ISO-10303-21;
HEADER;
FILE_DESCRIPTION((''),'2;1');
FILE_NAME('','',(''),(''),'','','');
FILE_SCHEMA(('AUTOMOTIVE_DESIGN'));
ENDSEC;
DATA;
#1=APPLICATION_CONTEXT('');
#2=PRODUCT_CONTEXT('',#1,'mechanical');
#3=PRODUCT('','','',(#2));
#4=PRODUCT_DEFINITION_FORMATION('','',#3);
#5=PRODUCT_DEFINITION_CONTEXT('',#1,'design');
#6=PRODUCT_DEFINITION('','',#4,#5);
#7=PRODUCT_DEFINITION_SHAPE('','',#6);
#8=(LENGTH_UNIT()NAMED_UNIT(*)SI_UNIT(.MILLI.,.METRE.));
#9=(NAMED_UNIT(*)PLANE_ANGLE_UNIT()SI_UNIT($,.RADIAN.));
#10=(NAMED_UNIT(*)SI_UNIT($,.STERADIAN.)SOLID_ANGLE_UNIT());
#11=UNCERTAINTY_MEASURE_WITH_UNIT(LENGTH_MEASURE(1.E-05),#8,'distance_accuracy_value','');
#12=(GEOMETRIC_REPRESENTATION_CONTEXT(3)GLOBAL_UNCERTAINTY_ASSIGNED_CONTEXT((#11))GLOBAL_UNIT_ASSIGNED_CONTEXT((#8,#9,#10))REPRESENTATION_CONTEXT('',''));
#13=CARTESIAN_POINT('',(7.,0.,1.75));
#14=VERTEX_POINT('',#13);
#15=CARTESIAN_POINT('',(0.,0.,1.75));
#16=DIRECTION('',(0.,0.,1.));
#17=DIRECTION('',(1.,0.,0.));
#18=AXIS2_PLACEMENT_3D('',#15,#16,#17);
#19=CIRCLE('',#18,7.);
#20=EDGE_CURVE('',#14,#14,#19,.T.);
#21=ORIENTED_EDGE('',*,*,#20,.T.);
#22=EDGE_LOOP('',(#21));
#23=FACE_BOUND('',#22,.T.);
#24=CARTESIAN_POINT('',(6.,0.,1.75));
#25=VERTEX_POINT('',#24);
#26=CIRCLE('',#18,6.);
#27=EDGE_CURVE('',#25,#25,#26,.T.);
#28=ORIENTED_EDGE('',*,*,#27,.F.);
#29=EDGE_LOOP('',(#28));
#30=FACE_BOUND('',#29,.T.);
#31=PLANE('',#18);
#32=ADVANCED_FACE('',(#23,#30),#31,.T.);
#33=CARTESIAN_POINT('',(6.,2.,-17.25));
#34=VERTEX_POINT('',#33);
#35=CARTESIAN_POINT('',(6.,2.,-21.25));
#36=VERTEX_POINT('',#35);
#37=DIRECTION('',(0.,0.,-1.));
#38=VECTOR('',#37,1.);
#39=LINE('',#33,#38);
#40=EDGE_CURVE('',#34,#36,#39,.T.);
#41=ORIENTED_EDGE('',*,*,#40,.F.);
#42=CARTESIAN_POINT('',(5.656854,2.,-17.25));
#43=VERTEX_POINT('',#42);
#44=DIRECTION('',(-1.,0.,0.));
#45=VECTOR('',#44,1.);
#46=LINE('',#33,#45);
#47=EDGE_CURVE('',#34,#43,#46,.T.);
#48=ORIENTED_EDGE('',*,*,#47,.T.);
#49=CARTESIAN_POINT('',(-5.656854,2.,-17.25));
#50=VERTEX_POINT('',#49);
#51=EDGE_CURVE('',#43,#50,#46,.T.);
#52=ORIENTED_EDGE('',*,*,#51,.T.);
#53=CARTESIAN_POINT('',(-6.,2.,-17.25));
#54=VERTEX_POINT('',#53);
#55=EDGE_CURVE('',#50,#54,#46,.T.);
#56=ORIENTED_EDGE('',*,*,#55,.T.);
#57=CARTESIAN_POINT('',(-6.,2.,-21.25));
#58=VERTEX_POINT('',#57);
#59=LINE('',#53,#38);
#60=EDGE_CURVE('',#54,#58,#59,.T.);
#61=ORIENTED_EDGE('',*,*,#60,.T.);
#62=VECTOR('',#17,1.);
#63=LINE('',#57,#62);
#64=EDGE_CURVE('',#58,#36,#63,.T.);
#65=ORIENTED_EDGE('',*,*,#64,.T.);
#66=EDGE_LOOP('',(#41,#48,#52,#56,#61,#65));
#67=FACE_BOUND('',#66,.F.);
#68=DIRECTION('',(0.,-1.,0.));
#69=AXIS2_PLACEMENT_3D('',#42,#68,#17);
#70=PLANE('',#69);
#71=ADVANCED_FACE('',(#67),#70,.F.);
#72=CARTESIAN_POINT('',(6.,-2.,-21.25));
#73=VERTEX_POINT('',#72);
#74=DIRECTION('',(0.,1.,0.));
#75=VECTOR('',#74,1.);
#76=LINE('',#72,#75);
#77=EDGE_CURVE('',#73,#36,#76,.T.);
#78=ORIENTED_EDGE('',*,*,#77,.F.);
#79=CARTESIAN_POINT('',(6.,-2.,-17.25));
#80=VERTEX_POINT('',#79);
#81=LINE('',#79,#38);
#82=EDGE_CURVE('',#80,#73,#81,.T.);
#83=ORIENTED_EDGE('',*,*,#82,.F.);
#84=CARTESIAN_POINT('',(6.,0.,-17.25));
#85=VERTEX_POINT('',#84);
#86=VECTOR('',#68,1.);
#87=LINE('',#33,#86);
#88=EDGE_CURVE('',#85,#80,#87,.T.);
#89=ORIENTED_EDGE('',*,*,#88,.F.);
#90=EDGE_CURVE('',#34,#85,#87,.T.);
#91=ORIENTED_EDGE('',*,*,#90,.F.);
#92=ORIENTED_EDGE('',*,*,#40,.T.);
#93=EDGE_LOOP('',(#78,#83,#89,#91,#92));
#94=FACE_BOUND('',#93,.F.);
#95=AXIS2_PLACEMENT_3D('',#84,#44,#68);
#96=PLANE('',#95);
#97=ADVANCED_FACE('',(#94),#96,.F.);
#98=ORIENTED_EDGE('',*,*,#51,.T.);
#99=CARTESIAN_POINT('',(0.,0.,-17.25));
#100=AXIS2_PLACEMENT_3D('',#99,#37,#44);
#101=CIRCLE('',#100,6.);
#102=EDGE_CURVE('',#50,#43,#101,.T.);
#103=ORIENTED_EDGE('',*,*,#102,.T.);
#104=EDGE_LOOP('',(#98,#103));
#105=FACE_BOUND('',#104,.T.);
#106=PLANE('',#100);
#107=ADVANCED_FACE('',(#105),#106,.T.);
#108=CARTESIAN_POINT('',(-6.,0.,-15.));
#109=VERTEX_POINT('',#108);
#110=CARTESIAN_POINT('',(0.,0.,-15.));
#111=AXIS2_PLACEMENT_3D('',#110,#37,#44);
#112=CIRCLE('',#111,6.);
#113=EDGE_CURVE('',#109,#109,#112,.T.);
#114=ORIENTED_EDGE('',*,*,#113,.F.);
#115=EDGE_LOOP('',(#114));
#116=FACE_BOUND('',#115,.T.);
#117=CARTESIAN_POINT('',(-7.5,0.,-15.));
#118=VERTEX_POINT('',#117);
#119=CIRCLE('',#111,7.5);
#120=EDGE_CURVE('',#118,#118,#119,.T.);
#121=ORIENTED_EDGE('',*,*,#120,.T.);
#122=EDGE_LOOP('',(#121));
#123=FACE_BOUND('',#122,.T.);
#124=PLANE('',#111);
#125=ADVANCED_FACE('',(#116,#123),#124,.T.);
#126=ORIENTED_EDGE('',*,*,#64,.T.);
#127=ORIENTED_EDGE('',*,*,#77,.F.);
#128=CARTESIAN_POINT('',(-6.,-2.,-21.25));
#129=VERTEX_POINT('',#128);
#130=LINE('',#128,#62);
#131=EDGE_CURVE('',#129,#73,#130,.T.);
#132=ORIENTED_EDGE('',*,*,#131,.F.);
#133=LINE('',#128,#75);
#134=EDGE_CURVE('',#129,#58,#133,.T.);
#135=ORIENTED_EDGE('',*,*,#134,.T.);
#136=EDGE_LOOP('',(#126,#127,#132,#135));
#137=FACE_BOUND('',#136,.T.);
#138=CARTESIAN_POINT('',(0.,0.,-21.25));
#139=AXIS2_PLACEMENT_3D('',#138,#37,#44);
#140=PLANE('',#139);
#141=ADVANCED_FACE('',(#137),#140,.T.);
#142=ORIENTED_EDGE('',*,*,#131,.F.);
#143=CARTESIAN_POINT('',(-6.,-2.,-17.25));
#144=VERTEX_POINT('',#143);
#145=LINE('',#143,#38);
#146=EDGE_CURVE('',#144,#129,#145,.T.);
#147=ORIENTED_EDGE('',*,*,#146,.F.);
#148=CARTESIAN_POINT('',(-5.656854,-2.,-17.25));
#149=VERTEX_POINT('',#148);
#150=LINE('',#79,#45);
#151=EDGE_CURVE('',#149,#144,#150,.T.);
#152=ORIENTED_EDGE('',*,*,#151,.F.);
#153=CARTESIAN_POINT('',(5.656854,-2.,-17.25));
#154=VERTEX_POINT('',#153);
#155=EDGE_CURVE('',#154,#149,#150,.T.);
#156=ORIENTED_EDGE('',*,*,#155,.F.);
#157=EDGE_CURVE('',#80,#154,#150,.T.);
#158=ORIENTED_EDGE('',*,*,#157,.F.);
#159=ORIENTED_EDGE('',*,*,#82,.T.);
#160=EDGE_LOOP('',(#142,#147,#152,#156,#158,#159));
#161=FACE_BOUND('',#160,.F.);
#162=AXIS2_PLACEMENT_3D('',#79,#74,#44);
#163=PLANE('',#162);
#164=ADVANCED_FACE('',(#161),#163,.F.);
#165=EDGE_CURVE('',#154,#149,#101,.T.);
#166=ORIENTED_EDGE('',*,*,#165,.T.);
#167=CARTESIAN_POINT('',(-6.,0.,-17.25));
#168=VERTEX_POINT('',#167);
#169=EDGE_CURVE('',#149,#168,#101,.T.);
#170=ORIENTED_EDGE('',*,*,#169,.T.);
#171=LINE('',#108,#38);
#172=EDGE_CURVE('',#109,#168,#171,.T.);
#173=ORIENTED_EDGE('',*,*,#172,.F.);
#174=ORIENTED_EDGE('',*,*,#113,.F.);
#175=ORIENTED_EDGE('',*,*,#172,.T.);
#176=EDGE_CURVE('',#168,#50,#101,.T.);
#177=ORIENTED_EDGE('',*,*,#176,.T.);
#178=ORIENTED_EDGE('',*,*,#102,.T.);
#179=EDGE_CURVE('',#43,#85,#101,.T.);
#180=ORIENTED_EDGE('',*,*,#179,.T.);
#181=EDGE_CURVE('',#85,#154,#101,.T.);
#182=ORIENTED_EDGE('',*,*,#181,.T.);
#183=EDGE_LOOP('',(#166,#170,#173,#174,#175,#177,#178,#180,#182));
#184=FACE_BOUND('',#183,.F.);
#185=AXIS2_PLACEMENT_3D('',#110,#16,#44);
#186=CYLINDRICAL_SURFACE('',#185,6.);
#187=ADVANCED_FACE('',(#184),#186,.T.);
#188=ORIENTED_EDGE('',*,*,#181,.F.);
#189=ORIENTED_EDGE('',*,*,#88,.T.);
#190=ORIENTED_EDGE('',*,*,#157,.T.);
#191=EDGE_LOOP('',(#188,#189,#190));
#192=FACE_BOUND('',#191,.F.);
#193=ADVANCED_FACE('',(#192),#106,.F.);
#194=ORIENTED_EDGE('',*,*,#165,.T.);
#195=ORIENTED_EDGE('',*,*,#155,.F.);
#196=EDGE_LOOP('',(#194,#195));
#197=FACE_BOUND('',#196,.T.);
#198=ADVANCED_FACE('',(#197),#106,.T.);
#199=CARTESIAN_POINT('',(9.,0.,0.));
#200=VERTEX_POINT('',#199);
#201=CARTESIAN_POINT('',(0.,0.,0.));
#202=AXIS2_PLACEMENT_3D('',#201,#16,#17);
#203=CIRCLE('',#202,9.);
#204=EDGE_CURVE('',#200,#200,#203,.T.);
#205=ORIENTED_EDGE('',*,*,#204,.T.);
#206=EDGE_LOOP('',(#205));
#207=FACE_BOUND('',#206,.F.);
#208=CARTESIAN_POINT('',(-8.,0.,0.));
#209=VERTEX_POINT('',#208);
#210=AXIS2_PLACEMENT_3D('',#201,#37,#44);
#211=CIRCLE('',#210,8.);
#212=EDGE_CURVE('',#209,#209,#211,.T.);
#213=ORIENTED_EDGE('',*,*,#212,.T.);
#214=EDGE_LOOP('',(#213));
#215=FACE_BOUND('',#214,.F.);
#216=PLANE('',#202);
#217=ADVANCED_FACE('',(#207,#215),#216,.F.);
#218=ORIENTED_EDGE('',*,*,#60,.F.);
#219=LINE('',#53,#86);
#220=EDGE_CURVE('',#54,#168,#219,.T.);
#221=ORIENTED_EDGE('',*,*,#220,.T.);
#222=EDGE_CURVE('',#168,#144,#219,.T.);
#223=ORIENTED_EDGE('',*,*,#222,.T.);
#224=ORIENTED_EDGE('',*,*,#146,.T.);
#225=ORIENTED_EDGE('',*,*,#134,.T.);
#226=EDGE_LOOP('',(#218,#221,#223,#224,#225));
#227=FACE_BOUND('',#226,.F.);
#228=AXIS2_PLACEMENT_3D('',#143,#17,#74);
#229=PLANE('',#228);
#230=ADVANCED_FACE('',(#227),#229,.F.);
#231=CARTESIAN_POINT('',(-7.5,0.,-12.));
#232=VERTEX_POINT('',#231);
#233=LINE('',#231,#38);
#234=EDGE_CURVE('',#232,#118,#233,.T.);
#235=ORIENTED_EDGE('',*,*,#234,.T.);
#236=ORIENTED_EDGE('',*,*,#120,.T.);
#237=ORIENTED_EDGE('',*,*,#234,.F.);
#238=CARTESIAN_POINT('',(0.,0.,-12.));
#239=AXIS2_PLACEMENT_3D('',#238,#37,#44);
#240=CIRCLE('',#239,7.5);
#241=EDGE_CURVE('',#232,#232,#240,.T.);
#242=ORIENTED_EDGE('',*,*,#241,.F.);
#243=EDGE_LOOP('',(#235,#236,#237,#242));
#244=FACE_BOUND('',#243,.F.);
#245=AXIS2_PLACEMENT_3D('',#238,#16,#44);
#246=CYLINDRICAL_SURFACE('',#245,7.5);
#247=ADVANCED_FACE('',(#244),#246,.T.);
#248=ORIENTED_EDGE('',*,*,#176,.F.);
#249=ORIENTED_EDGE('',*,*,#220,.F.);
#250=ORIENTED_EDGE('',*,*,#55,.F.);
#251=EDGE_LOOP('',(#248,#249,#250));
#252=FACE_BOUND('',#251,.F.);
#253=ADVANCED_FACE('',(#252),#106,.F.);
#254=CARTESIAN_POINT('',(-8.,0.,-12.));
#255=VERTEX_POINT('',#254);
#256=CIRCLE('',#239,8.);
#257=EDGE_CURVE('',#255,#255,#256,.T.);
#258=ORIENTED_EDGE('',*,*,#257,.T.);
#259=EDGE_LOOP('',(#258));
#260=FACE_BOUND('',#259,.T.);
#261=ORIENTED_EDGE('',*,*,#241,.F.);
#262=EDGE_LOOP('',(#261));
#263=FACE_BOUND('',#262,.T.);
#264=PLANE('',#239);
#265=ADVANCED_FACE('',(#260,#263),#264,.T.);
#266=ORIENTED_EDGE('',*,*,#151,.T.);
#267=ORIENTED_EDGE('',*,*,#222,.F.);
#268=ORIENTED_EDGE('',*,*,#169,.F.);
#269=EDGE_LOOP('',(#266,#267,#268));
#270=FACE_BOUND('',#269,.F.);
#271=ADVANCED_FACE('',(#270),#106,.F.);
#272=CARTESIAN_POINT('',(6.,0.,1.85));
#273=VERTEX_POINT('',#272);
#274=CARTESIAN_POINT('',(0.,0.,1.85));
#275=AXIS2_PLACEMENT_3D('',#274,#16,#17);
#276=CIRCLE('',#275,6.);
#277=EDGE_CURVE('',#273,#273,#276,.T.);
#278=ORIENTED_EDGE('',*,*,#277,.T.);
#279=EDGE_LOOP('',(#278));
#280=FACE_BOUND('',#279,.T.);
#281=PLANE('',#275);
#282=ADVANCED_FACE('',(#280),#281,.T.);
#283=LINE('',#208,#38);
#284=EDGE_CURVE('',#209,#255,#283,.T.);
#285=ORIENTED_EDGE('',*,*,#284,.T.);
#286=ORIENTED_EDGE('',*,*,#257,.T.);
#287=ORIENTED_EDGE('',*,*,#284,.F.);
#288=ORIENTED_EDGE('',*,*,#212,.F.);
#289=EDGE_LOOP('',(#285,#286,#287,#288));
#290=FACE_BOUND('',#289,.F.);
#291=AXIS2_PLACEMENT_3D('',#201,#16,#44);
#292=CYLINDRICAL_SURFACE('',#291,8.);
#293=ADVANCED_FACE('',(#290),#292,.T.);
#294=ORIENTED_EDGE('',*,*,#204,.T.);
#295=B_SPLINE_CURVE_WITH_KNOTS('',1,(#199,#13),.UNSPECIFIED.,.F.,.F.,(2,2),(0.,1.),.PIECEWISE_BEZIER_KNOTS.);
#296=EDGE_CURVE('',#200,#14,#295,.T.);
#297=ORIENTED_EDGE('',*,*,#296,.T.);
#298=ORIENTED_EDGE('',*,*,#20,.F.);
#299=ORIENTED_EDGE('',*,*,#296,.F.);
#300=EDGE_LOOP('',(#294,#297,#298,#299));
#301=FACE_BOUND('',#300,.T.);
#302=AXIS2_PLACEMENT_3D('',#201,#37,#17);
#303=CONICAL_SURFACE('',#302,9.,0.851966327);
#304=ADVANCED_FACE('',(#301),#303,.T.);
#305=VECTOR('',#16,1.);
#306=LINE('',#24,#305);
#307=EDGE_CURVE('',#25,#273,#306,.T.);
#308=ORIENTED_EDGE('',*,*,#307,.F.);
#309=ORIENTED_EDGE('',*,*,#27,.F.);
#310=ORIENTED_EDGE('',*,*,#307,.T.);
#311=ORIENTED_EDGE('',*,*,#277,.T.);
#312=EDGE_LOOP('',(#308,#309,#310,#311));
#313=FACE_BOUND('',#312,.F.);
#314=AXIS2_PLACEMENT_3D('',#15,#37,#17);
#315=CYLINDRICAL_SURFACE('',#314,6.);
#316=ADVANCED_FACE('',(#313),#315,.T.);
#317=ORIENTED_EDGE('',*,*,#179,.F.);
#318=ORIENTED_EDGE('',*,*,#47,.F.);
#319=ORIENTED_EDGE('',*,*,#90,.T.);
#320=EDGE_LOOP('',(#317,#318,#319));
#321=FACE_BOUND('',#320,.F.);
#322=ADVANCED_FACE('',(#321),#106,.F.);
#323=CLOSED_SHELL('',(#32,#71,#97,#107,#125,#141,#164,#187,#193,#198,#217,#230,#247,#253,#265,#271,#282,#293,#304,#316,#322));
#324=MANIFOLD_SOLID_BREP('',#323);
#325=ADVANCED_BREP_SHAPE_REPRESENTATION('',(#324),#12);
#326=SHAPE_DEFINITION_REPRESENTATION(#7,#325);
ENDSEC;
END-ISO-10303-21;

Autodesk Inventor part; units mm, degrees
ref_plane "YZ Plane" through (0, 0, 0) normal (1, 0, 0) x (0, 1, 0)
ref_plane "XZ Plane" through (0, 0, 0) normal (0, 1, 0) x (-1, 0, 0)
sketch "BaseBottom" plane through (0, 0, 0) normal (0, 0, 1) x (1, 0, 0)
  circle A0 centre (0, 0) radius 9
  dimension "d0" = 18
ref_plane "TopPlane" through (0, 0, 1.75) normal (0, 0, 1) x (1, 0, 0)
sketch "BaseTop" plane through (0, 0, 1.75) normal (0, 0, 1) x (1, 0, 0)
  circle A0 centre (0, 0) radius 7
  dimension "d4" = 14
loft "BaseFeature" add profiles "BaseBottom", "BaseTop"
sketch "Light" plane through (0, 0, 1.75) normal (0, 0, 1) x (1, 0, 0)
  circle A0 centre (0, 0) radius 9 projected
  circle A1 centre (0, 0) radius 6
  dimension "d9" = 12
extrude "LightFeature" add sketch "Light" along normal blind 0.1 contours A1
sketch "Thread" plane through (0, 0, 0) normal (0, 0, -1) x (-1, 0, 0)
  circle A0 centre (0, 0) radius 8
  dimension "d12" = 16
extrude "ThreadFeature" add sketch "Thread" along normal blind 12
sketch "Body" plane through (0, 0, -12) normal (0, 0, -1) x (-1, 0, 0)
  circle A0 centre (0, 0) radius 7.5
  dimension "d15" = 15
extrude "BodyFeature" add sketch "Body" along normal blind 3
sketch "TerminalsBase" plane through (0, 0, -15) normal (0, 0, -1) x (-1, 0, 0)
  circle A0 centre (0, 0) radius 6
  dimension "d18" = 12
extrude "TerminalsBaseFeature" add sketch "TerminalsBase" along normal blind 2.25
sketch "Terminals" plane through (0, 0, -17.25) normal (0, 0, -1) x (-1, 0, 0)
  line L0 (-6, -2) -> (6, -2)
  line L1 (6, -2) -> (6, 2)
  line L2 (6, 2) -> (-6, 2)
  line L3 (-6, 2) -> (-6, -2)
  line L4 (-6, -2) -> (6, 2) construction
  line L5 (6, -2) -> (-6, 2) construction
  circle A0 centre (0, 0) radius 6 projected
  dimension "d21" = 4
extrude "TerminalsFeature" add sketch "Terminals" along normal blind 4 contours L3 A0 L0 | A0 L2 L0 | L3 L2 A0 | A0 L1 L0 | A0 L2 L1
properties part number "PilotLight"
